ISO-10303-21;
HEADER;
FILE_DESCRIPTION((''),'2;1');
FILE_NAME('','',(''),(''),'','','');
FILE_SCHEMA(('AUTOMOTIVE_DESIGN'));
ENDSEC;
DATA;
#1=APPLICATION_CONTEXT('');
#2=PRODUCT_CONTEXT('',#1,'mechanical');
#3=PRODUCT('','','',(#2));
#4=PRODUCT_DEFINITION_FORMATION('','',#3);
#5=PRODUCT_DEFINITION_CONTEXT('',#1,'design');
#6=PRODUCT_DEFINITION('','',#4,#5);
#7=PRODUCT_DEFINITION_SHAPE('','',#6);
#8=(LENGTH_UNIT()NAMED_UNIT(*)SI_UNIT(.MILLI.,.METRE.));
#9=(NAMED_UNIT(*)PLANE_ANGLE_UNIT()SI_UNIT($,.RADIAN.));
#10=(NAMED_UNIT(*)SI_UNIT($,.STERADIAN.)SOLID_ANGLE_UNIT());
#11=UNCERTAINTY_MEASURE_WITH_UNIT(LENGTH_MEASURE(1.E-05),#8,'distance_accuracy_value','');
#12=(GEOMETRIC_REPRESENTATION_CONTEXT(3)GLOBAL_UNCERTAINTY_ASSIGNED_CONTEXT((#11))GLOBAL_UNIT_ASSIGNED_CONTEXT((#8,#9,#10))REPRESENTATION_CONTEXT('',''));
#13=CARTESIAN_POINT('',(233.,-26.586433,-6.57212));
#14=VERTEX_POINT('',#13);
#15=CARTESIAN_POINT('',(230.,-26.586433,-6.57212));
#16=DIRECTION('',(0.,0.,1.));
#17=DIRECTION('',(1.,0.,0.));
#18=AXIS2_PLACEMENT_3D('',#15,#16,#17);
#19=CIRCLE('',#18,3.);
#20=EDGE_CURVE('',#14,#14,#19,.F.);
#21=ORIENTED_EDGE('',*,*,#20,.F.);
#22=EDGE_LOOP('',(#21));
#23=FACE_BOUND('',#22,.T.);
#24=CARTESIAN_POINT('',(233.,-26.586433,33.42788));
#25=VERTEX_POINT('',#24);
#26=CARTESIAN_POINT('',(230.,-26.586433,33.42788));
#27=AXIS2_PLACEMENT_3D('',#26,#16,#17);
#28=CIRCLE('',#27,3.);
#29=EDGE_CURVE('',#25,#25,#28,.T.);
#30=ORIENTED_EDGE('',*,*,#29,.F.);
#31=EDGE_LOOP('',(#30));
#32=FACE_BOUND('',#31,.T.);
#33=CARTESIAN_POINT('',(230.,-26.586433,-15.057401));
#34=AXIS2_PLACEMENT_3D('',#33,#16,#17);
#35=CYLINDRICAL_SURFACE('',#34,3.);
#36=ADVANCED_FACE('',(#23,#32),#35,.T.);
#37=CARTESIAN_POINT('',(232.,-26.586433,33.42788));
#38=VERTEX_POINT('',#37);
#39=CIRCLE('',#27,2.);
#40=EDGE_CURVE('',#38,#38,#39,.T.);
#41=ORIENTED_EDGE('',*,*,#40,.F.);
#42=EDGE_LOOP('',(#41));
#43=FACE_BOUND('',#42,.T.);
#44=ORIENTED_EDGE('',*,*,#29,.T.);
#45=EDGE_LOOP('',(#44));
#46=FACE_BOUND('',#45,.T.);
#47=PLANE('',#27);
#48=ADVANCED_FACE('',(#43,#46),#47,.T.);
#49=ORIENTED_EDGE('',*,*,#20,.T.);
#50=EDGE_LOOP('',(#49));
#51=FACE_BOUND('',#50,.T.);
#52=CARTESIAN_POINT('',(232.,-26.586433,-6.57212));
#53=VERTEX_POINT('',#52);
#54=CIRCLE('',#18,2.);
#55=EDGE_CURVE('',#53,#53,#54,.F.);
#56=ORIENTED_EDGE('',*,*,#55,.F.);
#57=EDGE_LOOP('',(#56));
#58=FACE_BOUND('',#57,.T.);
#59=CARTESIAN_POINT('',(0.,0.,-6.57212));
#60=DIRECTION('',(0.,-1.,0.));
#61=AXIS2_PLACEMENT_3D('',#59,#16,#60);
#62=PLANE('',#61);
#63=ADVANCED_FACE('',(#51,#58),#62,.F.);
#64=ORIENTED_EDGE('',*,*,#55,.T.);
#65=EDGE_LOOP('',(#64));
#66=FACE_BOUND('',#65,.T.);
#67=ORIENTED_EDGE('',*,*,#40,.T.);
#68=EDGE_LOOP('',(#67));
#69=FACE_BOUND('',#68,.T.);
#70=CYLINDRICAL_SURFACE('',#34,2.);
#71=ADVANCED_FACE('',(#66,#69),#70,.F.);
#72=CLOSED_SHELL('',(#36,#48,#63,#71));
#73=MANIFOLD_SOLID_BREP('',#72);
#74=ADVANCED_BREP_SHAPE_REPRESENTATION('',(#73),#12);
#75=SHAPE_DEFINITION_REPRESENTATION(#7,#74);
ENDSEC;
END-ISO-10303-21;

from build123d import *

# Parameters (mm, degrees)
SCHIZZO1_R                   = 3
SCHIZZO1_R_2                 = 2
ESTRUSIONE_ESTRUSIONE1_DEPTH = 40


with BuildPart() as part:
    # Schizzo1 → Estrusione-Estrusione1 (new body)
    with BuildSketch(Plane.XY.offset(33.42788034)):
        with Locations((230, -26.586432577)):
            Circle(SCHIZZO1_R)
        with Locations((230, -26.586432577)):
            Circle(SCHIZZO1_R_2, mode=Mode.SUBTRACT)
    extrude(amount=-ESTRUSIONE_ESTRUSIONE1_DEPTH)


solid = part.part
